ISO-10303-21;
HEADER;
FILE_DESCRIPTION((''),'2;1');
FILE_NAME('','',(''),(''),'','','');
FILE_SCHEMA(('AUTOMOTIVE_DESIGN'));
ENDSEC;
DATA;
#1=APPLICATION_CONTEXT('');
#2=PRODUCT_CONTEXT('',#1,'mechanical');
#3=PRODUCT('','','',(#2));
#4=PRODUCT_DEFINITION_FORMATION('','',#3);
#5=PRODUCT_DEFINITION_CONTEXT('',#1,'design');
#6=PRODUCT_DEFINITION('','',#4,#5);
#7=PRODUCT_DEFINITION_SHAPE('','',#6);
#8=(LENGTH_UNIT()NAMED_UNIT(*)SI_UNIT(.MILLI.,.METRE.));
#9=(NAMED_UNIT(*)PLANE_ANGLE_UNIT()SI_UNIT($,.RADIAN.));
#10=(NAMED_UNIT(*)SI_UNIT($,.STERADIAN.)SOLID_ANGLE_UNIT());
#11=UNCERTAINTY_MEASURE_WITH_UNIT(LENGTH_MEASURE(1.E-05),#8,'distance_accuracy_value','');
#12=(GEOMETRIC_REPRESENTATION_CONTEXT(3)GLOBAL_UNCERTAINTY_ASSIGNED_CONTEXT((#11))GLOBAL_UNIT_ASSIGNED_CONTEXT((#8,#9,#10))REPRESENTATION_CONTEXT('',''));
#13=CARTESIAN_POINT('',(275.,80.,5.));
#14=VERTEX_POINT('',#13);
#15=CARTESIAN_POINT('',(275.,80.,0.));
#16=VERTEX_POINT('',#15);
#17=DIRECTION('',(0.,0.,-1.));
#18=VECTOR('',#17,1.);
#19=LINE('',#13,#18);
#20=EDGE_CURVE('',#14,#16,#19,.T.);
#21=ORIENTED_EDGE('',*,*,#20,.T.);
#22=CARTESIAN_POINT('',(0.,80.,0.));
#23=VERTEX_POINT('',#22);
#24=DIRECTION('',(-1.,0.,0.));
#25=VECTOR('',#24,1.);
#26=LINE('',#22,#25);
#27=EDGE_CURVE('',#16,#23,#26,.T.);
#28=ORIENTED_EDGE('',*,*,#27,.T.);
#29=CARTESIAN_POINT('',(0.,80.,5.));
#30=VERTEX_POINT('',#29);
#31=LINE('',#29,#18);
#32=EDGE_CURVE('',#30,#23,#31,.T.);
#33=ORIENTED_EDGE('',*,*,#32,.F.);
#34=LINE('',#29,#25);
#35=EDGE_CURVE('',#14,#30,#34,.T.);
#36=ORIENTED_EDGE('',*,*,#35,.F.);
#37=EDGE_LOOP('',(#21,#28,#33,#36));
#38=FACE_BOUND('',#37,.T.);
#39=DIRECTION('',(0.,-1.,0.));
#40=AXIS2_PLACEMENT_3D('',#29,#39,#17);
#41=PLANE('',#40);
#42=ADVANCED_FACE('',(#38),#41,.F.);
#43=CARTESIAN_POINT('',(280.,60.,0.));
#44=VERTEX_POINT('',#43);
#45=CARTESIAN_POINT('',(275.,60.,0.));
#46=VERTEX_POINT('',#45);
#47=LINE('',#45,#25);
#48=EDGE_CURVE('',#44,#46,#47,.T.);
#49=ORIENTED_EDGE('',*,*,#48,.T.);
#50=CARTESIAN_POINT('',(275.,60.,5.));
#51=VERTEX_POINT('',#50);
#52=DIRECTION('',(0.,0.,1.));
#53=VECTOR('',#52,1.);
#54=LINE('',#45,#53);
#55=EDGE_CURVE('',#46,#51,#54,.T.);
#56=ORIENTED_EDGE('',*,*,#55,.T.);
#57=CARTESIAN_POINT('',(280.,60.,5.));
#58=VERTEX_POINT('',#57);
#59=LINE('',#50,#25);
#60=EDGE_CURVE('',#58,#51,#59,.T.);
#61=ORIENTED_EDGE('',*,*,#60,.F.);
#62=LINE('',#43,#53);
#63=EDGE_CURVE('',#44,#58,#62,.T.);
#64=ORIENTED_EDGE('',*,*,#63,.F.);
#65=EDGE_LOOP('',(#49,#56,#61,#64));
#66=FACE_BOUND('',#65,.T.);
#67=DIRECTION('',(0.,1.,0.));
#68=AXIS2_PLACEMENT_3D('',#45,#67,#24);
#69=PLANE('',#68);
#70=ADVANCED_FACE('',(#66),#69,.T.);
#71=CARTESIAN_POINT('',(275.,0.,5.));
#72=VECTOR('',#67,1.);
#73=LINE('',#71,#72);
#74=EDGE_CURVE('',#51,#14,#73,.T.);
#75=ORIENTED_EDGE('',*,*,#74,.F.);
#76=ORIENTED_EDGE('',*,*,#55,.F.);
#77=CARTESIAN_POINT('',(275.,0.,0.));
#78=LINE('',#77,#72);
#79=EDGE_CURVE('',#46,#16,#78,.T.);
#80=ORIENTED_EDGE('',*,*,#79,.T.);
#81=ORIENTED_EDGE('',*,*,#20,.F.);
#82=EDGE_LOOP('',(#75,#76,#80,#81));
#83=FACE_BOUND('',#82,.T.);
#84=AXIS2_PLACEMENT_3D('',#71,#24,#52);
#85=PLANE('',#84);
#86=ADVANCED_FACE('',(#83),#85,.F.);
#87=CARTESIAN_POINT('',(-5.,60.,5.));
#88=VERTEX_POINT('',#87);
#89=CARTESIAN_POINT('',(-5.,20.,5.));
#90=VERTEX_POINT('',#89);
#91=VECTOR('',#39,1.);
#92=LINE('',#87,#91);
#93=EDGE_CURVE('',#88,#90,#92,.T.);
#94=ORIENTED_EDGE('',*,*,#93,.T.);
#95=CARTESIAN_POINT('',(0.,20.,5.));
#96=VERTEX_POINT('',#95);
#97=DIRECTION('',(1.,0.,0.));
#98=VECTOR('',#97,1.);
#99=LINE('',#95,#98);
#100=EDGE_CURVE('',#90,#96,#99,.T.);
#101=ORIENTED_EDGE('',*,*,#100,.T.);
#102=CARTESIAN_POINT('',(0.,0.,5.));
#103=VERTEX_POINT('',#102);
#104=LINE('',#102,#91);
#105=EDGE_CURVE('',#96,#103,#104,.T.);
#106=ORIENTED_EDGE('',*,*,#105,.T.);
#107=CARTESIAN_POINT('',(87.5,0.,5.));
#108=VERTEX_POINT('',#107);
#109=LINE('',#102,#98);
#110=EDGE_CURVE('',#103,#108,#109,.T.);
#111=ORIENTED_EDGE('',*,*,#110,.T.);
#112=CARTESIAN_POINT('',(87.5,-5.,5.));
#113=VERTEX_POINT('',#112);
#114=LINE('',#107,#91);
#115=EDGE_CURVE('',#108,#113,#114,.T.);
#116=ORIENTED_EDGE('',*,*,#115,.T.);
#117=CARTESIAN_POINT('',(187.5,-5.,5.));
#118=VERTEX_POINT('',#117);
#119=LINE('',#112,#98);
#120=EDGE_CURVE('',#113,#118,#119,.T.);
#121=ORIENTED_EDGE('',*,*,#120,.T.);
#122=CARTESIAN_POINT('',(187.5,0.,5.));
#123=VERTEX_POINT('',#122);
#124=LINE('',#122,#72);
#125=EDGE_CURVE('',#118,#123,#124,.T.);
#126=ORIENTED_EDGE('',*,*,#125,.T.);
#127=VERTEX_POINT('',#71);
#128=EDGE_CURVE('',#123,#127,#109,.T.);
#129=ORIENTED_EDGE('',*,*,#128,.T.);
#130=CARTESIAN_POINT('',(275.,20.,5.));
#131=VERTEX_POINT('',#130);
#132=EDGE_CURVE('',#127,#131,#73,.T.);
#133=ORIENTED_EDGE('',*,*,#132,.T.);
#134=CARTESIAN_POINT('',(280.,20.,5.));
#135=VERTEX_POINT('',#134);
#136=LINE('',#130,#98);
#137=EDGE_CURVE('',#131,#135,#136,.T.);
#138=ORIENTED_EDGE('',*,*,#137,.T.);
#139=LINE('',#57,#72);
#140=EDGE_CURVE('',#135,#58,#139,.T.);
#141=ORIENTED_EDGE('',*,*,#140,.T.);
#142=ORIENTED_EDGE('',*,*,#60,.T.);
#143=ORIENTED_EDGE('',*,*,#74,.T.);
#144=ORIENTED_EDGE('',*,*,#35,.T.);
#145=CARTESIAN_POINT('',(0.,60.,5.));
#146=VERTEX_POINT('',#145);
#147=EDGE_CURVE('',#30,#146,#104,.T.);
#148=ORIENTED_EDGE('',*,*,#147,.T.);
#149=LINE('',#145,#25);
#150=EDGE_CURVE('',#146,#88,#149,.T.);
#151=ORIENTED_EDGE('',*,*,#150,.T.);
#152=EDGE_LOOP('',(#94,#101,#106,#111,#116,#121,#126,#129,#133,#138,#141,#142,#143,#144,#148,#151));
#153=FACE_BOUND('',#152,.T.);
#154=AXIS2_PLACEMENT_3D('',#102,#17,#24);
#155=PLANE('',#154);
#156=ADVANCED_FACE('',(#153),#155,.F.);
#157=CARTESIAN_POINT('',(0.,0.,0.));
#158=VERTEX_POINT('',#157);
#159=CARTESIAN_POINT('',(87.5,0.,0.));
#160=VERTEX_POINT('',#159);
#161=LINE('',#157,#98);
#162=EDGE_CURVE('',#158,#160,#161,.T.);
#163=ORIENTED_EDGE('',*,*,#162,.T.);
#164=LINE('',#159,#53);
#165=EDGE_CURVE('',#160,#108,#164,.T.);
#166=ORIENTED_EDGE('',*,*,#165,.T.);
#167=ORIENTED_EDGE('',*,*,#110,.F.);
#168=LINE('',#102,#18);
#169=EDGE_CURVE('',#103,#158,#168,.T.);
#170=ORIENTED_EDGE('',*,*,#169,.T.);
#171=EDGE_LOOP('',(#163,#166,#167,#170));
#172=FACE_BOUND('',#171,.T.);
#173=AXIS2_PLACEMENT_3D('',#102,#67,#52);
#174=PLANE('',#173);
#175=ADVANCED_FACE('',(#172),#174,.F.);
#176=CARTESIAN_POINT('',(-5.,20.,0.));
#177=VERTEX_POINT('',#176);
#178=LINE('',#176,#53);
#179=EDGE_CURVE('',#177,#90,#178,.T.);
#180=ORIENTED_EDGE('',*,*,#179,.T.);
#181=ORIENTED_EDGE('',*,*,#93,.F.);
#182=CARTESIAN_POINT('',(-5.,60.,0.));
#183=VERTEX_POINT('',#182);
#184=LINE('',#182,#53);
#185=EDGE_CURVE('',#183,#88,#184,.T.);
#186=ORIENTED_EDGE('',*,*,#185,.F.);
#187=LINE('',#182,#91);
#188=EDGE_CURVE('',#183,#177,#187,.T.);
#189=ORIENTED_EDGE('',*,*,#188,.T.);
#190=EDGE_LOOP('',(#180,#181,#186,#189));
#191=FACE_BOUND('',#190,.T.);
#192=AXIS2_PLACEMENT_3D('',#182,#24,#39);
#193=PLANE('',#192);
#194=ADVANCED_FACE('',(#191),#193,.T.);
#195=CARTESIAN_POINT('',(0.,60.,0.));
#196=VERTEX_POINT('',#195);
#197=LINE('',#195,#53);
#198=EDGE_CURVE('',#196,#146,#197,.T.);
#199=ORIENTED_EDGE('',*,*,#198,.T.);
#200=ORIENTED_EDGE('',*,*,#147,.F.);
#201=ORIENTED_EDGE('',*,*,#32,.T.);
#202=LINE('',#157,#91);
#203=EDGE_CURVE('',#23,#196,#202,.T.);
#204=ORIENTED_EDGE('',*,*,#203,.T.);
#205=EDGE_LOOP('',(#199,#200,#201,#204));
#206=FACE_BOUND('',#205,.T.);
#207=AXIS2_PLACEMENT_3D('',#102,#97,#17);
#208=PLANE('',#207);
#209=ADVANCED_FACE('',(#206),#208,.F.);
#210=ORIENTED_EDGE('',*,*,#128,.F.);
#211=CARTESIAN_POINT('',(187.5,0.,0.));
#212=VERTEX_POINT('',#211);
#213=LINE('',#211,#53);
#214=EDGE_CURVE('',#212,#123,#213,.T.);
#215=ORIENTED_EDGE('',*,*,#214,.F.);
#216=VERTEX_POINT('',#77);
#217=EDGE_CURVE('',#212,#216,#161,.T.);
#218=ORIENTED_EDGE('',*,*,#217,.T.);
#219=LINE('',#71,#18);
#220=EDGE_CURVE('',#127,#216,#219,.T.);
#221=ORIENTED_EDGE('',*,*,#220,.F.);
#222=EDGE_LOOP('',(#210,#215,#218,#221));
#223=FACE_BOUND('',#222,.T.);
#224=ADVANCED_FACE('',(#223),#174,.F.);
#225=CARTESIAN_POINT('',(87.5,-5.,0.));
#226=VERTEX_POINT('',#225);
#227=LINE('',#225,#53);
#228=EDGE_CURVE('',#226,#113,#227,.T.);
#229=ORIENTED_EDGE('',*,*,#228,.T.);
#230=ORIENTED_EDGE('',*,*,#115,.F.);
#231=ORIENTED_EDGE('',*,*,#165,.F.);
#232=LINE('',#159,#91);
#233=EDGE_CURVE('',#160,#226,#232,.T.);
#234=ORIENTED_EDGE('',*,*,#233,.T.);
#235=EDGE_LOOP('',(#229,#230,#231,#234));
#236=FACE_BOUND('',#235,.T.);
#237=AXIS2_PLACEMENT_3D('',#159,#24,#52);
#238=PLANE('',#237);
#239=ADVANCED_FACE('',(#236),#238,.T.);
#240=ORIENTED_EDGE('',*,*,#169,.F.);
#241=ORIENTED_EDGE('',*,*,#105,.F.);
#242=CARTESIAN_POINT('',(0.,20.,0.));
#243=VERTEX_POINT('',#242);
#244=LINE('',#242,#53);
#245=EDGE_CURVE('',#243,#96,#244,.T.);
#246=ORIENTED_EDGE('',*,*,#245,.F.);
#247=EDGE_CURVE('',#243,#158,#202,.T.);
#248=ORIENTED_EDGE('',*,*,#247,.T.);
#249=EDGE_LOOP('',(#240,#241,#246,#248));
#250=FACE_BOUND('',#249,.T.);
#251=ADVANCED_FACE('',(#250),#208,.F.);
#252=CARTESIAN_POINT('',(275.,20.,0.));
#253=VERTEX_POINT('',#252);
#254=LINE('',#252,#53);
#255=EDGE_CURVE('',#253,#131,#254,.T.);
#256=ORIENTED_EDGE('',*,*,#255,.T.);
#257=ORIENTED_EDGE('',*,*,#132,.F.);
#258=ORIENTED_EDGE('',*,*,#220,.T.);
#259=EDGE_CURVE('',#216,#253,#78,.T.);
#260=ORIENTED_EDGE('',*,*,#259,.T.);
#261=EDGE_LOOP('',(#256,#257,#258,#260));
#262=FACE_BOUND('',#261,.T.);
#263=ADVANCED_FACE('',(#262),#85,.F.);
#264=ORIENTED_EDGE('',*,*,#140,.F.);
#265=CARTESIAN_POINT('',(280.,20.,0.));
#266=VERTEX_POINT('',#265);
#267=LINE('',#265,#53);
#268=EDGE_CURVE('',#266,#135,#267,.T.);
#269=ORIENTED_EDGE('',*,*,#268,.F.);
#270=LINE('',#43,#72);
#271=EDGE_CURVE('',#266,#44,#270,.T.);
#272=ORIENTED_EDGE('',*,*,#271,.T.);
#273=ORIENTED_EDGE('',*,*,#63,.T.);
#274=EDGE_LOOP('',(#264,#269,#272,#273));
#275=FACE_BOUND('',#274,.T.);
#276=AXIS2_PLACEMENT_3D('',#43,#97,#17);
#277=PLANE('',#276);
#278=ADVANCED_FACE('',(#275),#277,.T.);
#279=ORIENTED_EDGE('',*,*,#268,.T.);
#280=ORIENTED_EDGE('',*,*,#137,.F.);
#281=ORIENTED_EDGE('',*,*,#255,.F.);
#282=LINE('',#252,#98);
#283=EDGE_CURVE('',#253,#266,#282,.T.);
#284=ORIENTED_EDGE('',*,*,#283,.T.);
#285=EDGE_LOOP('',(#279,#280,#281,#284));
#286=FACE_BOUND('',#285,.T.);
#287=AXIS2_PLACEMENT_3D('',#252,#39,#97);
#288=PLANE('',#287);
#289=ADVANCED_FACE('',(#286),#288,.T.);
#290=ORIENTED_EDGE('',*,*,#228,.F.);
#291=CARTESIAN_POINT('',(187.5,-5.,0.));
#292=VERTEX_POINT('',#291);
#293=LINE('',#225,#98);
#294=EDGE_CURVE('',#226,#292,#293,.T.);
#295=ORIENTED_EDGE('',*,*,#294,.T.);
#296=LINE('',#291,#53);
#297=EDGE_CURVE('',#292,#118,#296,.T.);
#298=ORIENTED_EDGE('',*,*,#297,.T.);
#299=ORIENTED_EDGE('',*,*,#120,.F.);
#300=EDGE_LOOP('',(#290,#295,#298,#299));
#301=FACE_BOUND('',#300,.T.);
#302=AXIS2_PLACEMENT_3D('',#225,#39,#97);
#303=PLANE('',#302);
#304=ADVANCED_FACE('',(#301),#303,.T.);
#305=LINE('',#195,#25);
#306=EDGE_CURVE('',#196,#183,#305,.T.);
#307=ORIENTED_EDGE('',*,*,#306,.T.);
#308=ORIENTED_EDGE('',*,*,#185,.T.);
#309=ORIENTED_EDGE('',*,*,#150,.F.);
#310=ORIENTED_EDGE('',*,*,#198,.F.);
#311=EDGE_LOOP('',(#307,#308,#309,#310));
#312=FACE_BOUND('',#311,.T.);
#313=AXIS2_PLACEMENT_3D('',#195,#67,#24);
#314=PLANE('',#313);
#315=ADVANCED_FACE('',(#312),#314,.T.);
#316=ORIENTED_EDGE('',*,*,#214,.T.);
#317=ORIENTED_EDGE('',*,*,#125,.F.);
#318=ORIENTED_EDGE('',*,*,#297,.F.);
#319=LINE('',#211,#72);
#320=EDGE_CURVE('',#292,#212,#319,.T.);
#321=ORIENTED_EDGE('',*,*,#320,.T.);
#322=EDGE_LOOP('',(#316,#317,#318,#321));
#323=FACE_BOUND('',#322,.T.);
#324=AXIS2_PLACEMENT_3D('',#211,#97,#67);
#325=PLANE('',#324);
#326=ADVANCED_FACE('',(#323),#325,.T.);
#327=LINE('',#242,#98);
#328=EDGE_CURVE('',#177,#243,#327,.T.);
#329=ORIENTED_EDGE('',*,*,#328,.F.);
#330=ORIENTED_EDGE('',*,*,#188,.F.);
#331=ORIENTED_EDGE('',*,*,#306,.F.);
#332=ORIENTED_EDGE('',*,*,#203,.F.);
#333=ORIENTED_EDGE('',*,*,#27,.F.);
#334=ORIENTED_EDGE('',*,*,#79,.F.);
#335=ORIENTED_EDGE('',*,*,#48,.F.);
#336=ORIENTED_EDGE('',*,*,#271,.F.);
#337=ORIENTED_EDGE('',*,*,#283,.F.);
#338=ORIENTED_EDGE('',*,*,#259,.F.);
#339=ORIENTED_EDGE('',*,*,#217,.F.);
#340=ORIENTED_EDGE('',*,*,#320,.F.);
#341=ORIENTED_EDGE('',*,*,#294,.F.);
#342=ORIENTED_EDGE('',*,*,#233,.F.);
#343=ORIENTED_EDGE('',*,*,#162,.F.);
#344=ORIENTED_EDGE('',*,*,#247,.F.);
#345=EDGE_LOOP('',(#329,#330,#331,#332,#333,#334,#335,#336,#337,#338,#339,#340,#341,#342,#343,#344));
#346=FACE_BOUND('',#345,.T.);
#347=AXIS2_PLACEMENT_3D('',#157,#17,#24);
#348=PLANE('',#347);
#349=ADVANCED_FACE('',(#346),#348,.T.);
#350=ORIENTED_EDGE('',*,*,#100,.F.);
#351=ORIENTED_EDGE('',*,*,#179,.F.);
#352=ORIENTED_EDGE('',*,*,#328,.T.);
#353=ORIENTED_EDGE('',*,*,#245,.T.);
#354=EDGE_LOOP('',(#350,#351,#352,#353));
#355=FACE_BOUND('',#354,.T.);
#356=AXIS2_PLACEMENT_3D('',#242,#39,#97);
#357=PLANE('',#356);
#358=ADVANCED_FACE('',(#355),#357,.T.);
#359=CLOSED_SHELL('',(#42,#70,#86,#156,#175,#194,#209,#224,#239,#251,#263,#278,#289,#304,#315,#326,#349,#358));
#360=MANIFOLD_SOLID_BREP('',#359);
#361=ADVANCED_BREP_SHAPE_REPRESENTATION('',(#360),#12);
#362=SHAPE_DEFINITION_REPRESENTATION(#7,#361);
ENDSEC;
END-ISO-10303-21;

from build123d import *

# Parameters (mm, degrees)
SKIZZE1_W                       = 275
SKIZZE1_H                       = 80
AUFSATZ_LINEAR_AUSTRAGEN1_DEPTH = 5
SKIZZE2_W                       = 100
SKIZZE2_H                       = 5
AUFSATZ_LINEAR_AUSTRAGEN2_DEPTH = 5
SKIZZE3_W                       = 5
SKIZZE3_H                       = 40
AUFSATZ_LINEAR_AUSTRAGEN3_DEPTH = 5


with BuildPart() as part:
    # Skizze1 → Aufsatz-Linear austragen1 (new body)
    with BuildSketch(Plane.XY):
        with Locations((137.5, 40)):
            Rectangle(SKIZZE1_W, SKIZZE1_H)
    extrude(amount=AUFSATZ_LINEAR_AUSTRAGEN1_DEPTH)

    # Skizze2 → Aufsatz-Linear austragen2 (add, through all)
    with BuildSketch(Plane.XY.offset(5)):
        with Locations((137.5, -2.5)):
            Rectangle(SKIZZE2_W, SKIZZE2_H)
    extrude(amount=-AUFSATZ_LINEAR_AUSTRAGEN2_DEPTH)

    # Skizze3 → Aufsatz-Linear austragen3 (add, through all)
    with BuildSketch(Plane.XY.offset(5)):
        with Locations((-2.5, 40)):
            Rectangle(SKIZZE3_W, SKIZZE3_H)
        with Locations((277.5, 40)):
            Rectangle(SKIZZE3_W, SKIZZE3_H)
    extrude(amount=-AUFSATZ_LINEAR_AUSTRAGEN3_DEPTH)


solid = part.part
